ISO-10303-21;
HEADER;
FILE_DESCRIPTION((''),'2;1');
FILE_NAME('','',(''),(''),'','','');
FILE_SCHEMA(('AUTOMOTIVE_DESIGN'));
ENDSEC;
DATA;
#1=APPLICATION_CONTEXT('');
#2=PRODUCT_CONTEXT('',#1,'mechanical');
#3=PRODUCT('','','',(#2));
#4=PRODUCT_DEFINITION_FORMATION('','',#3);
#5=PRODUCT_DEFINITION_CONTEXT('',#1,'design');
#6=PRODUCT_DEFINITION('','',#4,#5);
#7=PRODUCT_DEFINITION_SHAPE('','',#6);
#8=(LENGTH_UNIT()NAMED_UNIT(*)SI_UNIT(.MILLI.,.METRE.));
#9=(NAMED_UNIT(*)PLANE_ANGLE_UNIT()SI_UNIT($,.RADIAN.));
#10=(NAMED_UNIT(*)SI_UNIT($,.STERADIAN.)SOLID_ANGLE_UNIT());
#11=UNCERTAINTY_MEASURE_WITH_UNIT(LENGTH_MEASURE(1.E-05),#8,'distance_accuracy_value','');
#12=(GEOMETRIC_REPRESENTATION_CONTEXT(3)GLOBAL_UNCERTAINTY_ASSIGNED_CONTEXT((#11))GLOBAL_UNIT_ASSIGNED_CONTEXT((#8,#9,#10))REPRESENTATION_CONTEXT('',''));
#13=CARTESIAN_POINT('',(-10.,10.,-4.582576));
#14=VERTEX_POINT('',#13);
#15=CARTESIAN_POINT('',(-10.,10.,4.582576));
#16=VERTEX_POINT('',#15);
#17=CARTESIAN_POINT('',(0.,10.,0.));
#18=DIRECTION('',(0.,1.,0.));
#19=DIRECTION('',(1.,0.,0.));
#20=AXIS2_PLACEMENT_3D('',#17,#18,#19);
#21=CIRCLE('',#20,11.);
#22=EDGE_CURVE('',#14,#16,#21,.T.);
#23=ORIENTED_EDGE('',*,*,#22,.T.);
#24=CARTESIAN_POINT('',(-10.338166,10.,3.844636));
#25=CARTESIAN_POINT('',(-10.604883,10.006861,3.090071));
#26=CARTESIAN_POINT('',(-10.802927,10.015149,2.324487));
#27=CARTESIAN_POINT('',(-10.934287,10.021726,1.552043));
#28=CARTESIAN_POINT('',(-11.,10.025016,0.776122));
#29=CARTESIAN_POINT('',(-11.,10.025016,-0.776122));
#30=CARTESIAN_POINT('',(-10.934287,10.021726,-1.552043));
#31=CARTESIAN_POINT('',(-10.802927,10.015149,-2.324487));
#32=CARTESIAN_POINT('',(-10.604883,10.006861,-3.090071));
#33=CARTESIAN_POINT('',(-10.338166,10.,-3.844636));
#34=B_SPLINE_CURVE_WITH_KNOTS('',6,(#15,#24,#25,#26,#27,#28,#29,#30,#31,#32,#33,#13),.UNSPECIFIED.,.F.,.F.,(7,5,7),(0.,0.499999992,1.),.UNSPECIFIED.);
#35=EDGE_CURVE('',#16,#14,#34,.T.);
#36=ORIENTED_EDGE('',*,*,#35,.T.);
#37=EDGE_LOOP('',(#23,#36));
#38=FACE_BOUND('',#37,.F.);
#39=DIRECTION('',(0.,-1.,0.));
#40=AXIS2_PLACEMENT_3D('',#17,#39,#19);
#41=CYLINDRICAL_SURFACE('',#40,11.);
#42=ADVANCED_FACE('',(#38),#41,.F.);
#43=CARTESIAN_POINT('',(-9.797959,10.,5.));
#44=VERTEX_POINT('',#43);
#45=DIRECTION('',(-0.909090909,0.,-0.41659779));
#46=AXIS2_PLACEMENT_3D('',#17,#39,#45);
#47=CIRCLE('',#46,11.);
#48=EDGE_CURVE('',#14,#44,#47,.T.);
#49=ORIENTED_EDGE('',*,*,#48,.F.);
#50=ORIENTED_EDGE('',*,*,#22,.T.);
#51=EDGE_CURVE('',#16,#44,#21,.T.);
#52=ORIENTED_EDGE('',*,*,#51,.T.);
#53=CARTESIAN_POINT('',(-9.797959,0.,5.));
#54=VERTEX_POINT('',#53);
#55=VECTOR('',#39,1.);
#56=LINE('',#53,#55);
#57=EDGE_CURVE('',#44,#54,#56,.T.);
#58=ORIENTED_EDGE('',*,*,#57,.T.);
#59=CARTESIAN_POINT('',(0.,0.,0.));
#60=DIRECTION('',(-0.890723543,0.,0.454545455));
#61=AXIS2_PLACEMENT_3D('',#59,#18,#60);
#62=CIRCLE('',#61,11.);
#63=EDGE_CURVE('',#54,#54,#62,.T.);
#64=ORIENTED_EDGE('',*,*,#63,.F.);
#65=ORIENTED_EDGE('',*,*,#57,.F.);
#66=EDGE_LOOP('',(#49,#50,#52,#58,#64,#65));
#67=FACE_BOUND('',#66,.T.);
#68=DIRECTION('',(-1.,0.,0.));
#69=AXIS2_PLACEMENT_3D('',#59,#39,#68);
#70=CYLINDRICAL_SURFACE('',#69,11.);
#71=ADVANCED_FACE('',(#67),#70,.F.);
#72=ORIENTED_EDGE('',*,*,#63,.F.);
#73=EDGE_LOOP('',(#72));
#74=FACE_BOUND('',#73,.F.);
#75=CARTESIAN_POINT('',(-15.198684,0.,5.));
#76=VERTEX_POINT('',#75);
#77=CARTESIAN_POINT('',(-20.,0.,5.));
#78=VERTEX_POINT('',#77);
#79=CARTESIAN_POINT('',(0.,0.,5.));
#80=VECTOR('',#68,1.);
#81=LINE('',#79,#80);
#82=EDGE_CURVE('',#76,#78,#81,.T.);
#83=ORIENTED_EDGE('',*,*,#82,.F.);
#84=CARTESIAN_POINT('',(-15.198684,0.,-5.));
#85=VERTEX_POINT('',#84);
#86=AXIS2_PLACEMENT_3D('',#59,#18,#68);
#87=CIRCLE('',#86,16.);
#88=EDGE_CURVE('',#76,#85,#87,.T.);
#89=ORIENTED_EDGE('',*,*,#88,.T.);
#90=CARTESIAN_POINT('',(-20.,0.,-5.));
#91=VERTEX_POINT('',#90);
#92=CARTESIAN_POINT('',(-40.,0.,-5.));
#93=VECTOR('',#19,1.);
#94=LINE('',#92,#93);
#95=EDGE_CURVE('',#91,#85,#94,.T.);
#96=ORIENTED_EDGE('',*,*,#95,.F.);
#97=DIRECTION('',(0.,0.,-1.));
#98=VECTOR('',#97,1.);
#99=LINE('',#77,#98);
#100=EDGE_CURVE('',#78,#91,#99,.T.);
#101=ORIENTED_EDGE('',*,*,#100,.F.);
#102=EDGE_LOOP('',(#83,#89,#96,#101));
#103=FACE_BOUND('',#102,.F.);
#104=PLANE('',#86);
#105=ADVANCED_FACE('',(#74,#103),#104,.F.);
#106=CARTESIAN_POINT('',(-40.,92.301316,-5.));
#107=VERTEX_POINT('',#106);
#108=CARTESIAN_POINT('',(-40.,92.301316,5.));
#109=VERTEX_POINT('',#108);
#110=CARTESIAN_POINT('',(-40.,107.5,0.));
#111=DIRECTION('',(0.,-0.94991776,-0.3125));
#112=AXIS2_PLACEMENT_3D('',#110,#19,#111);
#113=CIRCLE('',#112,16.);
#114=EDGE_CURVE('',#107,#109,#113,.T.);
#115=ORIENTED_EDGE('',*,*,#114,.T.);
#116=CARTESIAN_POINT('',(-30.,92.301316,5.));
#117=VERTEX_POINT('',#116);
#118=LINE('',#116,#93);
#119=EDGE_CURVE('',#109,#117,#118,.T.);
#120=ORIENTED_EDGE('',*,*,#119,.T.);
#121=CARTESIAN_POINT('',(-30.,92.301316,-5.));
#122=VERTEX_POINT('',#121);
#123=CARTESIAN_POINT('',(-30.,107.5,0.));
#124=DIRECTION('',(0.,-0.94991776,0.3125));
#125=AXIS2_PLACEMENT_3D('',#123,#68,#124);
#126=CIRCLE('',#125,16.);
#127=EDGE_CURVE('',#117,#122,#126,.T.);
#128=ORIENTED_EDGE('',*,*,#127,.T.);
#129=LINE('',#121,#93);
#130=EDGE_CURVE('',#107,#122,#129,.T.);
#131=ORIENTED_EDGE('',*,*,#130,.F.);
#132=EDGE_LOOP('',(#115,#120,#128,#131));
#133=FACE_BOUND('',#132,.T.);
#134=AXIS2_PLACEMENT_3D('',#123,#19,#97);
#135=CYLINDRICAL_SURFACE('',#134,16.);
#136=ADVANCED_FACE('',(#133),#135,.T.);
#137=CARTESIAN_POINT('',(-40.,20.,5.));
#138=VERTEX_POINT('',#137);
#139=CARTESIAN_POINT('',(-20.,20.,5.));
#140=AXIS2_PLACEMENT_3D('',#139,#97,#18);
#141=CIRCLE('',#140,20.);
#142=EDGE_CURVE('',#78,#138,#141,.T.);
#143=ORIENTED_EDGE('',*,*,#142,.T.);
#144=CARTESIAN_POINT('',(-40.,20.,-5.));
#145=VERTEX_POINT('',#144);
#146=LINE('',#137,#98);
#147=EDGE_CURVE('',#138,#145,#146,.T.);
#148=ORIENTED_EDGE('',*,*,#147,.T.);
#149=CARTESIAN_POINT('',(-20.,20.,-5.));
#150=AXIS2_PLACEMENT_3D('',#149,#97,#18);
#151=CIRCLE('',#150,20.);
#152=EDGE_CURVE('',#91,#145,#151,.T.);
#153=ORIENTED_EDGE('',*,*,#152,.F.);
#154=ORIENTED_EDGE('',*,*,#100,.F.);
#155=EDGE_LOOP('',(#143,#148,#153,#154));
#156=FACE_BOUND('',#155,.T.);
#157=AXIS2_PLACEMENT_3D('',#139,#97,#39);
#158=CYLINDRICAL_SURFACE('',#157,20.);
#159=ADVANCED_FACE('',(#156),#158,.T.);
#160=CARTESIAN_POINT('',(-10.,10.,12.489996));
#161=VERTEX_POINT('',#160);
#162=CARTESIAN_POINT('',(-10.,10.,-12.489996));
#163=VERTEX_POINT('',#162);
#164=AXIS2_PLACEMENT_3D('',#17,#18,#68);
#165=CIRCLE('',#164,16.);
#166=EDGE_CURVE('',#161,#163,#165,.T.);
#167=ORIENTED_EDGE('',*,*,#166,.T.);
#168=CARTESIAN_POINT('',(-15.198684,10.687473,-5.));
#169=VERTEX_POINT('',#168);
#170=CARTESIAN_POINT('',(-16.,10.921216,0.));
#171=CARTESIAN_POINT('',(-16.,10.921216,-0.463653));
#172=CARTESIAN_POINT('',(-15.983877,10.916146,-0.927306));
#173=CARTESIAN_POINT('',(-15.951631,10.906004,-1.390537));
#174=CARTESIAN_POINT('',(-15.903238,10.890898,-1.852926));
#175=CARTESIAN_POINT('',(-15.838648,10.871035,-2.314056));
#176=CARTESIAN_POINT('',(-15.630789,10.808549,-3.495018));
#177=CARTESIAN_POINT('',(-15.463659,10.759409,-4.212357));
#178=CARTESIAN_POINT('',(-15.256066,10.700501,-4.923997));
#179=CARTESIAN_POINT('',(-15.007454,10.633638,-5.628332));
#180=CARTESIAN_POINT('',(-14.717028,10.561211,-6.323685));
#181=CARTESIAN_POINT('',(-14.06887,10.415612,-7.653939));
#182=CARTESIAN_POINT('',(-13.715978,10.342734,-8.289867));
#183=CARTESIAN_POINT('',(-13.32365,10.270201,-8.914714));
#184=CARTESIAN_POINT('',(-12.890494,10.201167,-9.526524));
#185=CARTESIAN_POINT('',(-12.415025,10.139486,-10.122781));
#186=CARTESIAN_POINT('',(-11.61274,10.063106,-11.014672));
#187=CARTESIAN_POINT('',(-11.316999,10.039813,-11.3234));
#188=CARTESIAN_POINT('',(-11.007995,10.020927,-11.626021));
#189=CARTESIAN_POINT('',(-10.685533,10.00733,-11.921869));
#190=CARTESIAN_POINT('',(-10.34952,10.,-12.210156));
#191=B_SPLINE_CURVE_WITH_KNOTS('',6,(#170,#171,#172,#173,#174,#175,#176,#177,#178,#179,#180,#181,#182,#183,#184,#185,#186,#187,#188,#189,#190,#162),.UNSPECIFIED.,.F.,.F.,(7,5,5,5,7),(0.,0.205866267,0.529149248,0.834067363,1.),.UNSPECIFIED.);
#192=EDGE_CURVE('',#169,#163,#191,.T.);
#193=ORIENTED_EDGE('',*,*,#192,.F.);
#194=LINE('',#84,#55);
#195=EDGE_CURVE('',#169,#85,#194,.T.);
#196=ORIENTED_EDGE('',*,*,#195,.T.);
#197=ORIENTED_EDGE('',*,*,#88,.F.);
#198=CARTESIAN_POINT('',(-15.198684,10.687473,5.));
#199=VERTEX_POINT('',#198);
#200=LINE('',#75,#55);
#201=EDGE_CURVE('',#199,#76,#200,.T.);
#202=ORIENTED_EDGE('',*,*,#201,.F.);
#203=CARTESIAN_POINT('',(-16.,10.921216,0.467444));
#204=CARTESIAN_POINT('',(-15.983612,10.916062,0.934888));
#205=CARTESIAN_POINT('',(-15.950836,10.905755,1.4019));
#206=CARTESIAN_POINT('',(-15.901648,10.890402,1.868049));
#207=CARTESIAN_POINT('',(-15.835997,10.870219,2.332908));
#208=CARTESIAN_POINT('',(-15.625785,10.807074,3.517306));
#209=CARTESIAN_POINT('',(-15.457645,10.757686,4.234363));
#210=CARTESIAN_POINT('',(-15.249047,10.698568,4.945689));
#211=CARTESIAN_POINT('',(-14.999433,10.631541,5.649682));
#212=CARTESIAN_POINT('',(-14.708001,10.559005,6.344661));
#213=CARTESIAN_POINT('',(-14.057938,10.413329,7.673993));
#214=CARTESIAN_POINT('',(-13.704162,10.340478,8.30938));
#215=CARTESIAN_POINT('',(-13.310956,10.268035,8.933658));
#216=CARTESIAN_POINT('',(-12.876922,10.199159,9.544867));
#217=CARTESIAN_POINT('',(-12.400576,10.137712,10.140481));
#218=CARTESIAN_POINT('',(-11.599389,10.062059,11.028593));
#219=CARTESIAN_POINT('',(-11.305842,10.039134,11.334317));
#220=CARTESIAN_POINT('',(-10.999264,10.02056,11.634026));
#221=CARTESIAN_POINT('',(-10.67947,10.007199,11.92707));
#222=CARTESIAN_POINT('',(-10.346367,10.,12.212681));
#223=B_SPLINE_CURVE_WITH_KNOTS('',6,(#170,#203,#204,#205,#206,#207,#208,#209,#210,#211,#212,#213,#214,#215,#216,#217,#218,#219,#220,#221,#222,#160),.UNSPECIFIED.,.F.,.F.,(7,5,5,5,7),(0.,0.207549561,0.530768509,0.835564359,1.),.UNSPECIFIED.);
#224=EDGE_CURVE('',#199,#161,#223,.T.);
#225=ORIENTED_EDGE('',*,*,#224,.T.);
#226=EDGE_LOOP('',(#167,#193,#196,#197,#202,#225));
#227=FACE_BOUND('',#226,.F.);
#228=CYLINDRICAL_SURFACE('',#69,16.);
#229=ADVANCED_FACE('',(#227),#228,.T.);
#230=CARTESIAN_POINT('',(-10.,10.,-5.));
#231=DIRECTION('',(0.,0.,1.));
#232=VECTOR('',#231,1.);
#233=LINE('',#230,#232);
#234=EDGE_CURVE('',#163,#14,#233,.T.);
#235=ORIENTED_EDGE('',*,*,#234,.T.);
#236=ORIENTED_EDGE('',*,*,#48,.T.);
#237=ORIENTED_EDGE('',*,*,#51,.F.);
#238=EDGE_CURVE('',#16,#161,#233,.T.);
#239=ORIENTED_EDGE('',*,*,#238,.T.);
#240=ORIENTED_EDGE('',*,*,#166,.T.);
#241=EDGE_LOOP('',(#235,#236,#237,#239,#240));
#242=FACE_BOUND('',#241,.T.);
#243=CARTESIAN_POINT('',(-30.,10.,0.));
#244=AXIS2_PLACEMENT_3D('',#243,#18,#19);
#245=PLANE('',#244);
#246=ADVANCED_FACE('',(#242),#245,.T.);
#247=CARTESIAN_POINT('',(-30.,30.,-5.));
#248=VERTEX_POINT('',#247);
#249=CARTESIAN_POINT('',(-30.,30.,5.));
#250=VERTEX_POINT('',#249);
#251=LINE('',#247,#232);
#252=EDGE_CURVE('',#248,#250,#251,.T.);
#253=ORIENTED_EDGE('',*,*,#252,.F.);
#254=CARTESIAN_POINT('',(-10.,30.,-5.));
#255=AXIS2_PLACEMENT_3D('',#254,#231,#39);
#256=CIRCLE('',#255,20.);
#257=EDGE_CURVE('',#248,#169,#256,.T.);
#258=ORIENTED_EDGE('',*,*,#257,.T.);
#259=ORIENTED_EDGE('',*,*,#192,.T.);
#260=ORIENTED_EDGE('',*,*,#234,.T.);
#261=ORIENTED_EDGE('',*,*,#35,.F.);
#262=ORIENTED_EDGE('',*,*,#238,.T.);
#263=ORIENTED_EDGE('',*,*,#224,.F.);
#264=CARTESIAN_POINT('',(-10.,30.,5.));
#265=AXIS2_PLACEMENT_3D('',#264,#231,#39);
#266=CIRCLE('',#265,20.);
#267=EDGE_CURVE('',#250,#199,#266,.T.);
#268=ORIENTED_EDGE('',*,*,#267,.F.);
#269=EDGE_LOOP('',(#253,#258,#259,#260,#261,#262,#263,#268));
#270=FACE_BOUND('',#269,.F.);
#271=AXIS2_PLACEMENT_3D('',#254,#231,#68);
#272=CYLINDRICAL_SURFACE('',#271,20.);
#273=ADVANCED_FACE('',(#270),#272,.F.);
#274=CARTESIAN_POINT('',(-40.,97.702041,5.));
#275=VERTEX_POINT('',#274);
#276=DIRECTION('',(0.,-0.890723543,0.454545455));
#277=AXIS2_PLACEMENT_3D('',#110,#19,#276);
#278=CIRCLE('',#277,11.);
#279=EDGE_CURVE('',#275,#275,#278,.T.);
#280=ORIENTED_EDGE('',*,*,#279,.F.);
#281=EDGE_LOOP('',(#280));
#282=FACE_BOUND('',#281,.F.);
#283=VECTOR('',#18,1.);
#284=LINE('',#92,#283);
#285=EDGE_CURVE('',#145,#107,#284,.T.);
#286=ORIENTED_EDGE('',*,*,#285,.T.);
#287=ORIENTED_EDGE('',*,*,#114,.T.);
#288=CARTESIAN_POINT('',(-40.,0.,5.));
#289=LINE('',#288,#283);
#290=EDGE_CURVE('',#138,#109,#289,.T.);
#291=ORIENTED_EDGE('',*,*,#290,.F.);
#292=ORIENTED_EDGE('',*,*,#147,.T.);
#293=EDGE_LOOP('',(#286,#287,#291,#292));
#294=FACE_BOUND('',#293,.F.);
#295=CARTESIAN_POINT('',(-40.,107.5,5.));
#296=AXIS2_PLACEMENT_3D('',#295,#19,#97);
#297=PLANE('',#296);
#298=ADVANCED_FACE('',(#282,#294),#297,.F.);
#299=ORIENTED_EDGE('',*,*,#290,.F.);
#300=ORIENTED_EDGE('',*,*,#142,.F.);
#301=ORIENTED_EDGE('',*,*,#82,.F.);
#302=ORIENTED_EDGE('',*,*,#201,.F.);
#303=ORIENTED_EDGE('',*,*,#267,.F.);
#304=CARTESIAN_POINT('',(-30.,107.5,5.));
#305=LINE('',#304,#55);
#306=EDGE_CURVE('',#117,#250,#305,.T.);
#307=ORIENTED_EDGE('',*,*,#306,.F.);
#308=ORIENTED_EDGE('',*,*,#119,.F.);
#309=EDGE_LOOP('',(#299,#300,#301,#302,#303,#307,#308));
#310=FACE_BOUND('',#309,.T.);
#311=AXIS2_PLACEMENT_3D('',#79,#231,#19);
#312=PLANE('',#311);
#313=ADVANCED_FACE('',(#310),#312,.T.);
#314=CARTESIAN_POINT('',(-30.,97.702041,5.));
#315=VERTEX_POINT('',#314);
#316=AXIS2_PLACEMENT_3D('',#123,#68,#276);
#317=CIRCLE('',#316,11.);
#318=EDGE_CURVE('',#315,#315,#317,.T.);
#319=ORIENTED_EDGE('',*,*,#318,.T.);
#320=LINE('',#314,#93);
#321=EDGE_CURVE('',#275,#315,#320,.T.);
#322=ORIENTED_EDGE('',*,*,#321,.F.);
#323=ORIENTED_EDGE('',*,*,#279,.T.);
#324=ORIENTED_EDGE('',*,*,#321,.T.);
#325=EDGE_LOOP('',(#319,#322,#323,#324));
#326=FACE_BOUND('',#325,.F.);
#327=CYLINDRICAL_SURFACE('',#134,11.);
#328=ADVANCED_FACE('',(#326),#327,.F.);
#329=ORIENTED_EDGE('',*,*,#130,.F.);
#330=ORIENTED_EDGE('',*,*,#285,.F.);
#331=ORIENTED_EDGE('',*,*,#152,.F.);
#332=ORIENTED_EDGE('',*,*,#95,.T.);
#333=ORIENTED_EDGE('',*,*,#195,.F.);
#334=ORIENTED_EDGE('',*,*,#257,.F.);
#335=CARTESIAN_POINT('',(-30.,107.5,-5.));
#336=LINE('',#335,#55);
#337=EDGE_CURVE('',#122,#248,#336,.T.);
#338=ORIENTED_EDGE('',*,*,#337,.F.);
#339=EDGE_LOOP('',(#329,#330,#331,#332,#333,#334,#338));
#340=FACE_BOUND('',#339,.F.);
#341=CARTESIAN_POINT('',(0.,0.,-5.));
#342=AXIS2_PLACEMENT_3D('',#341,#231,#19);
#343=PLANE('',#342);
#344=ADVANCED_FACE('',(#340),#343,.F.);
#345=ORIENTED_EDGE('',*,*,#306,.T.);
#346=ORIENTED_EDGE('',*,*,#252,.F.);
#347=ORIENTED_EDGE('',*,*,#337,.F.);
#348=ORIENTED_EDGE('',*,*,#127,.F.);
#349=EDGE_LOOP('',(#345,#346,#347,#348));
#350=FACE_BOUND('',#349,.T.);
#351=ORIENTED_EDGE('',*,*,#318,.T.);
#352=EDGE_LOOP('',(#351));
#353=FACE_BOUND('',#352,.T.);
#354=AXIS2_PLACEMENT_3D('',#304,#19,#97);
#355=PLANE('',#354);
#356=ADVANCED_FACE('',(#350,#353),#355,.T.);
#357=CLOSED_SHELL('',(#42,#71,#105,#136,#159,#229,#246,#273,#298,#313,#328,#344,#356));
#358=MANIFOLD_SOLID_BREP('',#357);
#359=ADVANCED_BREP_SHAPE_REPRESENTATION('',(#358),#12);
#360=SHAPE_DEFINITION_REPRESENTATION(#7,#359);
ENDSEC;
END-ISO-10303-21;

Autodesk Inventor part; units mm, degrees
ref_plane "YZ Plane" through (0, 0, 0) normal (1, 0, 0) x (0, 1, 0)
ref_plane "XZ Plane" through (0, 0, 0) normal (0, 1, 0) x (-1, 0, 0)
ref_plane "XY Plane" through (0, 0, 0) normal (0, 0, 1) x (1, 0, 0)
sketch "Szkic2" plane through (0, 0, 0) normal (0, 1, 0) x (-1, 0, 0)
  circle A0 centre (0, 0) radius 11
  circle A1 centre (0, 0) radius 16
  dimension "d0" = 22
  dimension "d1" = 5
extrude "Wyciągnięcie proste1" add sketch "Szkic2" along normal blind 10
sketch "Szkic4" plane through (0, 0, 0) normal (0, 0, 1) x (1, 0, 0)
  line L0 (0, 0) -> (-30, 0)
  line L1 (-30, 0) -> (-30, 10)
  line L2 (-30, 10) -> (0, 10)
  line L3 (0, 10) -> (0, 0)
  line L4 (-30, 0) -> (-40, 0)
  line L5 (-40, 0) -> (-40, 107.5)
  line L6 (-40, 107.5) -> (-30, 107.5)
  line L7 (-30, 107.5) -> (-30, 0)
  dimension "d7" = 107.5
  dimension "d8" = 30
  dimension "d9" = 10
  dimension "d10" = 10
extrude "Wyciągnięcie proste2" add sketch "Szkic4" along normal mid plane 10
fillet "Zaokrąglenie1" radius 20 2 edges at (-40, 0, 0) (-30, 10, 0)
sketch "Szkic7" plane through (-30, 107.5, 5) normal (1, 0, 0) x (0, 0, -1)
  line L0 (10, 0) -> (0, 0) projected
  circle A0 centre (5, 0) radius 11
  circle A1 centre (5, 0) radius 16
  point P0 (5, -107.5)
  dimension "d14" = 22
  dimension "d15" = 32
extrude "Wyciągnięcie proste3" add sketch "Szkic7" against normal blind 10
sketch "Szkic8" plane through (0, 10, 0) normal (0, 1, 0) x (1, 0, 0)
  circle A0 centre (0, 0) radius 11
extrude "Wyciągnięcie proste4" cut sketch "Szkic8" against normal blind 10
sketch "Szkic9" plane through (0, 10, 0) normal (0, -1, 0) x (1, 0, 0)
  circle A0 centre (0, 0) radius 11
extrude "Wyciągnięcie proste5" cut sketch "Szkic9" against normal blind 10
sketch "Szkic11" plane through (-30, 30, 5) normal (1, 0, 0) x (0, 0, -1)
  line L0 (10, 77.5) -> (0, 77.5) projected
  circle A0 centre (5, 77.5) radius 11
  point P0 (5, -30)
extrude "Wyciągnięcie proste6" cut sketch "Szkic11" against normal blind 10
properties part number "Gora-srodek-ramie"
